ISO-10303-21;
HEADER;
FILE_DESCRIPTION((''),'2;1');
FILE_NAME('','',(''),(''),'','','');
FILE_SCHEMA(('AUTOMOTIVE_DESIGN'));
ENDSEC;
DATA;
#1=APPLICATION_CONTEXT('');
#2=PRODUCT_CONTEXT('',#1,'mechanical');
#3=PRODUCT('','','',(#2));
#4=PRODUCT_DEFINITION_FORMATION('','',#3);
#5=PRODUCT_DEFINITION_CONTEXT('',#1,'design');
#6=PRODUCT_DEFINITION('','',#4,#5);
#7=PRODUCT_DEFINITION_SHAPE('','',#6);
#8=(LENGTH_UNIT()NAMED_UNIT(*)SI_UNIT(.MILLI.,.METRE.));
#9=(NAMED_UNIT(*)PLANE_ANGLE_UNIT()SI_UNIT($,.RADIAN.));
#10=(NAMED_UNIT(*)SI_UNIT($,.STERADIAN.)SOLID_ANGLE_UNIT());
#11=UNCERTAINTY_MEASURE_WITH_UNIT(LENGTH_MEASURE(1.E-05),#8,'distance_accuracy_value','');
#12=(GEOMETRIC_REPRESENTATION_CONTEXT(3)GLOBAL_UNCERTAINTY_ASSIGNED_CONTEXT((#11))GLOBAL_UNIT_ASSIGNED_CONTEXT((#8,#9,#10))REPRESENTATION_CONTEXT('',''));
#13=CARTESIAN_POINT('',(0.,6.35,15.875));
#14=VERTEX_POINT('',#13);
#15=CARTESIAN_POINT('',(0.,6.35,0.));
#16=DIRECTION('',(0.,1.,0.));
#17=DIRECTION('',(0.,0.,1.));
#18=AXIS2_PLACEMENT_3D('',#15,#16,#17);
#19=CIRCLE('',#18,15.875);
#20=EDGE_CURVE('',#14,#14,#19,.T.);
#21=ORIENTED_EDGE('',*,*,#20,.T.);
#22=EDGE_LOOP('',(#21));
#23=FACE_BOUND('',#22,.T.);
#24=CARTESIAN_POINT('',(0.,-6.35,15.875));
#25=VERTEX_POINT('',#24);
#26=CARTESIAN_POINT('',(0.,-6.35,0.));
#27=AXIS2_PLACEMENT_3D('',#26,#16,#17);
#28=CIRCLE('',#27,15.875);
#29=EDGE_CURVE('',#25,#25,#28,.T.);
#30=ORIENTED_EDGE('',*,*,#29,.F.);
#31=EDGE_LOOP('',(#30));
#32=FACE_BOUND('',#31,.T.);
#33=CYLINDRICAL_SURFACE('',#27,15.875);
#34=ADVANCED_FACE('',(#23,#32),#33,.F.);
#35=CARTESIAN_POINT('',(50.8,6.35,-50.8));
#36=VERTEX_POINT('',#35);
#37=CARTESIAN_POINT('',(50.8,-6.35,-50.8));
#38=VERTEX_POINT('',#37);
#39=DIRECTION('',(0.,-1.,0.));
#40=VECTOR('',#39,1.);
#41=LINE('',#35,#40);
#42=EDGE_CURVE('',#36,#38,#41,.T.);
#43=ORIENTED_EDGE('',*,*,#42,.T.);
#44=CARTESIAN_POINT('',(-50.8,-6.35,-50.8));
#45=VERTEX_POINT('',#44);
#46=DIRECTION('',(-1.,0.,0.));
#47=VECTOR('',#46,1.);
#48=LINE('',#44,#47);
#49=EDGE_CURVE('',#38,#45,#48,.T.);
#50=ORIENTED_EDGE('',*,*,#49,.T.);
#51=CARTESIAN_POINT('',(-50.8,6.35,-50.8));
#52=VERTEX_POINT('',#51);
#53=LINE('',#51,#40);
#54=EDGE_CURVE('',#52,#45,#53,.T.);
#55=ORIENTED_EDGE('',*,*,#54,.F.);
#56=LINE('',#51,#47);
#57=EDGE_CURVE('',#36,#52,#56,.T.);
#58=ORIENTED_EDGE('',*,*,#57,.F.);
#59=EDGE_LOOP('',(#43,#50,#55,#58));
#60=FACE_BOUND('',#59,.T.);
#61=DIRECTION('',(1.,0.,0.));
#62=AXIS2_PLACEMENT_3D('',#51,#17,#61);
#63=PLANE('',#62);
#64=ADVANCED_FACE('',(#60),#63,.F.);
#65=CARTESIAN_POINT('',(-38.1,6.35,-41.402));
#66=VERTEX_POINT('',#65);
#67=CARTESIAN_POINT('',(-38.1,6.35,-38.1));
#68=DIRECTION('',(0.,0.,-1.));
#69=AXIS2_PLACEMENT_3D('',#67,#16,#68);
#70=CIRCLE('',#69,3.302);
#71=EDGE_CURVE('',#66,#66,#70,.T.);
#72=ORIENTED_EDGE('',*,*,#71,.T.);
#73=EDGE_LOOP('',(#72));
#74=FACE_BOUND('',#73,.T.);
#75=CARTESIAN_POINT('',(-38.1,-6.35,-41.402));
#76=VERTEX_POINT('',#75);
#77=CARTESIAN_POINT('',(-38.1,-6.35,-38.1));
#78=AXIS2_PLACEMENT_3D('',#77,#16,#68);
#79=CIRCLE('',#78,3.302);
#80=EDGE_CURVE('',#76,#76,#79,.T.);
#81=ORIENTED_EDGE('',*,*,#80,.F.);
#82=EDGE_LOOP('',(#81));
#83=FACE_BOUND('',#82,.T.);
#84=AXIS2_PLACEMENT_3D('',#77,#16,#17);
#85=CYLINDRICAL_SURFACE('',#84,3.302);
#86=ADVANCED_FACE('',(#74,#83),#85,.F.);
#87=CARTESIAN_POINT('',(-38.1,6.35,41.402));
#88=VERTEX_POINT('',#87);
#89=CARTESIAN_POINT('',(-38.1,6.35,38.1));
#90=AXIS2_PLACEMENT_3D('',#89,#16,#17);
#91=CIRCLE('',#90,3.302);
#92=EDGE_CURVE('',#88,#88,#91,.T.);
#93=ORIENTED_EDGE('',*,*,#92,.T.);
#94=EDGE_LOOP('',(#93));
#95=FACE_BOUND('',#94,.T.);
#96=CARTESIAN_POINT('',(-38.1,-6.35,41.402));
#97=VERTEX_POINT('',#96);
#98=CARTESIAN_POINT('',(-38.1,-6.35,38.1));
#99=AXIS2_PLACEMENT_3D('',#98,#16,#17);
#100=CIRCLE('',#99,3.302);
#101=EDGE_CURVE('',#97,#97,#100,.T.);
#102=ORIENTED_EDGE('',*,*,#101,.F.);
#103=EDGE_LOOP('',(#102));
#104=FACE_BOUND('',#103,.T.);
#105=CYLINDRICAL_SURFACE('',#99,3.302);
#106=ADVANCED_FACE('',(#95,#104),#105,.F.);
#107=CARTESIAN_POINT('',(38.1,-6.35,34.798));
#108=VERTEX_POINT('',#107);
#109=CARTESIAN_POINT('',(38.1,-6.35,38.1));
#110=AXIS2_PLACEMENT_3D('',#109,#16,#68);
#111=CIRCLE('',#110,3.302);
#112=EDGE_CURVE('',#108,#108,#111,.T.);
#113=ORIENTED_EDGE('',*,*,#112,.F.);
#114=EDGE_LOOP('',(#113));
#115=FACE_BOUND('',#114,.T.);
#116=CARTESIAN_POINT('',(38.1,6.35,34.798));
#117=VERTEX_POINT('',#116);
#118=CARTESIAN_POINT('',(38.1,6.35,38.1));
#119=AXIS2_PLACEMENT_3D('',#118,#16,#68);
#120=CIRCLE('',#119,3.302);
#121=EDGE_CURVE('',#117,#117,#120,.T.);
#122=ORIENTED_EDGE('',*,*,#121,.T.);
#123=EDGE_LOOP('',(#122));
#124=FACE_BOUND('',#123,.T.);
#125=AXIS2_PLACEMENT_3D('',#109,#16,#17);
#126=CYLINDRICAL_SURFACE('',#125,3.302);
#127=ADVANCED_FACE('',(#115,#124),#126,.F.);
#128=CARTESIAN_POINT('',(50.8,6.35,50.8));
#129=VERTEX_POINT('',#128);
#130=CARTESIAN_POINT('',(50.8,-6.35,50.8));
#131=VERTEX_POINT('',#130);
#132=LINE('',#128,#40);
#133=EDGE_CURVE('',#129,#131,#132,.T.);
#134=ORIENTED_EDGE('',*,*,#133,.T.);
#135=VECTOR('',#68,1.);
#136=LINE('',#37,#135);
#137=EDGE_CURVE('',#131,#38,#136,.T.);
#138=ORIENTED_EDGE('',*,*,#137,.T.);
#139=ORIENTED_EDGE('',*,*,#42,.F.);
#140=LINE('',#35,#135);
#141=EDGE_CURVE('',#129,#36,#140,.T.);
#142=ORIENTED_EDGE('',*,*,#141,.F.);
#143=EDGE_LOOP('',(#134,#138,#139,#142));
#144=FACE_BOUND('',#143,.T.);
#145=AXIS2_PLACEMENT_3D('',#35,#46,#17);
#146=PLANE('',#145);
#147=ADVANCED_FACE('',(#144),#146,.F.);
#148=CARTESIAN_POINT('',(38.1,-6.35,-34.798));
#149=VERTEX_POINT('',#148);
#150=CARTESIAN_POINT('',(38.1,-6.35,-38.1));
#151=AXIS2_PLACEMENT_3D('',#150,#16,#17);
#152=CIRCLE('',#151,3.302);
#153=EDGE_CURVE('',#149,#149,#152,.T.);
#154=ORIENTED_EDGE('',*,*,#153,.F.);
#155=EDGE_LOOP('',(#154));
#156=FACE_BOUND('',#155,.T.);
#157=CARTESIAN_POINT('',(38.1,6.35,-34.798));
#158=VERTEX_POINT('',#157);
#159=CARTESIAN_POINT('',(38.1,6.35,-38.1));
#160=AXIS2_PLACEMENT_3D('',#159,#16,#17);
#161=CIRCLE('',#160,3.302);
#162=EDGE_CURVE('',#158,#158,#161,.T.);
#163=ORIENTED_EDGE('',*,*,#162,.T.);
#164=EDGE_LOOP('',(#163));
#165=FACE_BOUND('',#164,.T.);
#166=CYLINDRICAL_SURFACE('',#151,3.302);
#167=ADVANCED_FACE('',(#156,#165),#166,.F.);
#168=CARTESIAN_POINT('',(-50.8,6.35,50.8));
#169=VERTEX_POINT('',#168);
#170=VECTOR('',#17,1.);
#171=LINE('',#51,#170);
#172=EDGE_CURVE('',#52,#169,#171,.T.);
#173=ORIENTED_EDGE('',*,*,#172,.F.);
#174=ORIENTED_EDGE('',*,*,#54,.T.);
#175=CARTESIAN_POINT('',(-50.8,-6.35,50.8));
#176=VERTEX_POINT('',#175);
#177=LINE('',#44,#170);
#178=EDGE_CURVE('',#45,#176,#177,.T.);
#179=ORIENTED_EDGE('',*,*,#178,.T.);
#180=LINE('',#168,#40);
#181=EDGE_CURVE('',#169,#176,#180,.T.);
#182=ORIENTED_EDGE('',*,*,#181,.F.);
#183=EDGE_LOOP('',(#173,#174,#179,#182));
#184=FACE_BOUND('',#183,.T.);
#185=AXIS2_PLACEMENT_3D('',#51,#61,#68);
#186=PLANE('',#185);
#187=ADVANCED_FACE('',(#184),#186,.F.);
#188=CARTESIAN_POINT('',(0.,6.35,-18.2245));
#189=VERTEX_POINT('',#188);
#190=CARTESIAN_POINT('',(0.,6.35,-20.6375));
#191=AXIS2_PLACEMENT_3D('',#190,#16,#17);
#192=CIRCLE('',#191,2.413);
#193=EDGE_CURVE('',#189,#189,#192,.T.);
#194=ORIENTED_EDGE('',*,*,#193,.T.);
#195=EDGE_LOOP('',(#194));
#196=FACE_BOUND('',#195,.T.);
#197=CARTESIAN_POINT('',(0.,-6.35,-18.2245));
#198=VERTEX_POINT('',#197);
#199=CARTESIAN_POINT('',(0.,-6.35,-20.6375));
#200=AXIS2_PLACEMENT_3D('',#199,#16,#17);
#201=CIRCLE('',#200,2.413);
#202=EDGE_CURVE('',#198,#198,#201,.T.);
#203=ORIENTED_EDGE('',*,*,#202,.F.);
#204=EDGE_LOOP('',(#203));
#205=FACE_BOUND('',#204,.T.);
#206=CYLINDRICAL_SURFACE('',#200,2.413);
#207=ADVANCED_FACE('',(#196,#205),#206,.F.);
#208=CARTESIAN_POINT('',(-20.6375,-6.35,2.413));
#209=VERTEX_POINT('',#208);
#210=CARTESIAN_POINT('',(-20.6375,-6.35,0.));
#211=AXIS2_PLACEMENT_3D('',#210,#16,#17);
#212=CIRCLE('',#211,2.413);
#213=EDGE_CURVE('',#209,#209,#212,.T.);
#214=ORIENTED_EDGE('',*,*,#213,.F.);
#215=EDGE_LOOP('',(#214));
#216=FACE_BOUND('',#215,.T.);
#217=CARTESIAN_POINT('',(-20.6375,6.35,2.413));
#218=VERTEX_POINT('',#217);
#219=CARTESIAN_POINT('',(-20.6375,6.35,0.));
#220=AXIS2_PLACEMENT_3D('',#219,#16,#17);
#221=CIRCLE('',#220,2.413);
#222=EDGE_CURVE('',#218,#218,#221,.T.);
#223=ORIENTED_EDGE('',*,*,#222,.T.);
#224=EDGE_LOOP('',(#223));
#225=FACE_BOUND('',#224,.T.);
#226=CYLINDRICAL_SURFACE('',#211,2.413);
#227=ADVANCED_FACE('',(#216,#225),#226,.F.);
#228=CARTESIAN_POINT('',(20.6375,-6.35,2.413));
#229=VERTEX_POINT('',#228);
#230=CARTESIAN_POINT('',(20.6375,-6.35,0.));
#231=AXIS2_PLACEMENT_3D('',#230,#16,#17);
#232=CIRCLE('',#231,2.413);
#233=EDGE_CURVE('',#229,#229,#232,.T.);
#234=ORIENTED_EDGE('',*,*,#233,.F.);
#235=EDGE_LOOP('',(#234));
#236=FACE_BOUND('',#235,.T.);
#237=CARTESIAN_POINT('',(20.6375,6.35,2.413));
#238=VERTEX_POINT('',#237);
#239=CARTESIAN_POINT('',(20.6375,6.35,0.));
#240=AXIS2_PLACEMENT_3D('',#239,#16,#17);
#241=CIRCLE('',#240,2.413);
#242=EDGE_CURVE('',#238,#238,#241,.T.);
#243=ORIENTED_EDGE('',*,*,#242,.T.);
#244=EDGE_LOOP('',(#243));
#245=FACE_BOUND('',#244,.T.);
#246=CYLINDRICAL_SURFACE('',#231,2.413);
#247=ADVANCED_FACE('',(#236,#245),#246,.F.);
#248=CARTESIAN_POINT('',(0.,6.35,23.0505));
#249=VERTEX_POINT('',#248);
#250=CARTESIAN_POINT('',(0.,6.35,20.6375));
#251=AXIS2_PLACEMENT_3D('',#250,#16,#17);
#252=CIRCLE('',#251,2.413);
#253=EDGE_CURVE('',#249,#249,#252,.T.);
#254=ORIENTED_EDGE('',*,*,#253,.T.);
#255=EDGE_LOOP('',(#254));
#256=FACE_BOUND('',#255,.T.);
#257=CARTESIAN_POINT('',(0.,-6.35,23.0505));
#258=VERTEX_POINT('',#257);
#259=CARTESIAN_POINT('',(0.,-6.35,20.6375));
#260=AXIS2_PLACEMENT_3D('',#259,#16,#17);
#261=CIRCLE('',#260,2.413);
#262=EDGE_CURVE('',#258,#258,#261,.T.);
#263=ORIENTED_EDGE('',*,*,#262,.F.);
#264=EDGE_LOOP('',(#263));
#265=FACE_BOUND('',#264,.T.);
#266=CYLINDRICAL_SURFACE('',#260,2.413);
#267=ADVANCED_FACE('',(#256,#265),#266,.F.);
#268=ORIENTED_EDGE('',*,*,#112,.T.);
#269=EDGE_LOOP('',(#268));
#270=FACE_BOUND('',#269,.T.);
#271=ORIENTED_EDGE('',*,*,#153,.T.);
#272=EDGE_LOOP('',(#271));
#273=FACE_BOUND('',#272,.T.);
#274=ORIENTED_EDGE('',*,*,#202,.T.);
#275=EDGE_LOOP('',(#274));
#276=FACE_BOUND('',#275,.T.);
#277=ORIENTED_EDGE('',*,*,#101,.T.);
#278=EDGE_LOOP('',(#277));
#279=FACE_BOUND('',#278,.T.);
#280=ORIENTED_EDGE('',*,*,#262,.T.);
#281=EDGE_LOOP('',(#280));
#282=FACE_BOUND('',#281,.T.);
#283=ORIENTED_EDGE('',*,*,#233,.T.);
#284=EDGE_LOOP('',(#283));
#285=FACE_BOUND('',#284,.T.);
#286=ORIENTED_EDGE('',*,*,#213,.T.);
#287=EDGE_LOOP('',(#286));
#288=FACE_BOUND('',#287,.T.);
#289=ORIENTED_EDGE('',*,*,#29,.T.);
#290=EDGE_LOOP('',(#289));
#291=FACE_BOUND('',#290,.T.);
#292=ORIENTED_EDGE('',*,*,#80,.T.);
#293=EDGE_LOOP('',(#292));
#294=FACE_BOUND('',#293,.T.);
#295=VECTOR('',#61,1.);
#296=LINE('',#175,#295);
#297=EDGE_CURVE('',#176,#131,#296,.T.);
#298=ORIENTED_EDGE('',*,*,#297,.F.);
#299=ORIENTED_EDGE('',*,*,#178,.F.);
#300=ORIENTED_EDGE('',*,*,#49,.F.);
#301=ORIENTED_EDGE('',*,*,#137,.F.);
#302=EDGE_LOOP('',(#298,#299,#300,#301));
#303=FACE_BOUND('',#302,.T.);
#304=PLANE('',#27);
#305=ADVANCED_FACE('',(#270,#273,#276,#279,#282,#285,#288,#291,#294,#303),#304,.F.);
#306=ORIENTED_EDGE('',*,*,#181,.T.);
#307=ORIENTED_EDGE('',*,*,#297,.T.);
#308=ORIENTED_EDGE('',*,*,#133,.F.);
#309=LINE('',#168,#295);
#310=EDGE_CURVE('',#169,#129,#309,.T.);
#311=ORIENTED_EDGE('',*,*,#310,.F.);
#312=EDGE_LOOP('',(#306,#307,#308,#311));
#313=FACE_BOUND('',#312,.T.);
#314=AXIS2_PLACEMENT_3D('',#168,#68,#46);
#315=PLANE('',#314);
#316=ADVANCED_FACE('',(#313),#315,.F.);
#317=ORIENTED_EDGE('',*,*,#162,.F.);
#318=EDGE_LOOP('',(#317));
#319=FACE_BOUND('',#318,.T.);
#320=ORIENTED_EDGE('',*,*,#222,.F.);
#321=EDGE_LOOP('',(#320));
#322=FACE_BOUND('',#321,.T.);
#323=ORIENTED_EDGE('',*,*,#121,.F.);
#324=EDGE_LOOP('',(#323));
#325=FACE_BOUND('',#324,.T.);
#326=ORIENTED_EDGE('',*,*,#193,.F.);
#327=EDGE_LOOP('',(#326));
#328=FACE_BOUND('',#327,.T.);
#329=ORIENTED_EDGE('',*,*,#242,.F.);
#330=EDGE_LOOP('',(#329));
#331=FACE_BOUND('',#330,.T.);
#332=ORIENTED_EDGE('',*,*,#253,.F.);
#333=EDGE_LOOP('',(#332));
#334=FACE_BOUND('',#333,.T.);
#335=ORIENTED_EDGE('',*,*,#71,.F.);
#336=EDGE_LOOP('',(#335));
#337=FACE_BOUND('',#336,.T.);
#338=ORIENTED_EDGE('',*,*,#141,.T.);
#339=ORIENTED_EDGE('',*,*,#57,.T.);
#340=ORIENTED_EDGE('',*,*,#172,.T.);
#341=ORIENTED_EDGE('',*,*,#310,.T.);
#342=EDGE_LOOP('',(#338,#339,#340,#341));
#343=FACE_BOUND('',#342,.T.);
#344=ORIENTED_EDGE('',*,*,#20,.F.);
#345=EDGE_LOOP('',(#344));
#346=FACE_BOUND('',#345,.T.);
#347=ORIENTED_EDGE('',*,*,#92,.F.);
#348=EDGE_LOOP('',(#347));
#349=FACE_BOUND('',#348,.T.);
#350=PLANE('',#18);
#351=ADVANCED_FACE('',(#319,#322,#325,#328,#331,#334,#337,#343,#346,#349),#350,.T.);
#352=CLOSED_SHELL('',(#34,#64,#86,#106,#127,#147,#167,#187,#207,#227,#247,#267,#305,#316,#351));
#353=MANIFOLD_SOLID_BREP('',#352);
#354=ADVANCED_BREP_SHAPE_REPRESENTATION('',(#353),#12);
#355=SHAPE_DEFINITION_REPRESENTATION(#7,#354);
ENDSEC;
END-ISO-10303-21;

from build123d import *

# Parameters (mm, degrees)
SKETCH2_W           = 101.6
SKETCH2_H           = 101.6
BOSS_EXTRUDE1_DEPTH = 6.35
SKETCH3_R           = 3.302
CUT_EXTRUDE1_DEPTH  = 73.955945611
SKETCH4_R           = 15.875
SKETCH4_R_2         = 2.413
CUT_EXTRUDE2_DEPTH  = 73.955945611


with BuildPart() as part:
    # Sketch2 → Boss-Extrude1 (new, symmetric)
    with BuildSketch(Plane(origin=(0, 0, 0), x_dir=(1, 0, 0), z_dir=(0, 1, 0))):
        Rectangle(SKETCH2_W, SKETCH2_H)
    extrude(amount=BOSS_EXTRUDE1_DEPTH, both=True)

    # Sketch3 → Cut-Extrude1 (cut, through all)
    with BuildSketch(Plane(origin=(0, 6.35, 0), x_dir=(1, 0, 0), z_dir=(0, 1, 0))):
        with Locations(Location((-38.1, -38.1, 0), (0, 0, 270))):
            Circle(SKETCH3_R)
        with Locations(Location((-38.1, 38.1, 0), (0, 0, 90))):
            Circle(SKETCH3_R)
        with Locations(Location((38.1, -38.1, 0), (0, 0, 90))):
            Circle(SKETCH3_R)
        with Locations(Location((38.1, 38.1, 0), (0, 0, 270))):
            Circle(SKETCH3_R)
    extrude(amount=-CUT_EXTRUDE1_DEPTH, mode=Mode.SUBTRACT)

    # Sketch4 → Cut-Extrude2 (cut, through all)
    with BuildSketch(Plane(origin=(0, 6.35, 0), x_dir=(1, 0, 0), z_dir=(0, 1, 0))):
        with Locations(Location((0, 0, 0), (0, 0, 270))):
            Circle(SKETCH4_R)
        with Locations(Location((0, 20.6375, 0), (0, 0, 270))):
            Circle(SKETCH4_R_2)
        with Locations(Location((20.6375, 0, 0), (0, 0, 270))):
            Circle(SKETCH4_R_2)
        with Locations(Location((0, -20.6375, 0), (0, 0, 270))):
            Circle(SKETCH4_R_2)
        with Locations(Location((-20.6375, 0, 0), (0, 0, 270))):
            Circle(SKETCH4_R_2)
    extrude(amount=-CUT_EXTRUDE2_DEPTH, mode=Mode.SUBTRACT)


solid = part.part
